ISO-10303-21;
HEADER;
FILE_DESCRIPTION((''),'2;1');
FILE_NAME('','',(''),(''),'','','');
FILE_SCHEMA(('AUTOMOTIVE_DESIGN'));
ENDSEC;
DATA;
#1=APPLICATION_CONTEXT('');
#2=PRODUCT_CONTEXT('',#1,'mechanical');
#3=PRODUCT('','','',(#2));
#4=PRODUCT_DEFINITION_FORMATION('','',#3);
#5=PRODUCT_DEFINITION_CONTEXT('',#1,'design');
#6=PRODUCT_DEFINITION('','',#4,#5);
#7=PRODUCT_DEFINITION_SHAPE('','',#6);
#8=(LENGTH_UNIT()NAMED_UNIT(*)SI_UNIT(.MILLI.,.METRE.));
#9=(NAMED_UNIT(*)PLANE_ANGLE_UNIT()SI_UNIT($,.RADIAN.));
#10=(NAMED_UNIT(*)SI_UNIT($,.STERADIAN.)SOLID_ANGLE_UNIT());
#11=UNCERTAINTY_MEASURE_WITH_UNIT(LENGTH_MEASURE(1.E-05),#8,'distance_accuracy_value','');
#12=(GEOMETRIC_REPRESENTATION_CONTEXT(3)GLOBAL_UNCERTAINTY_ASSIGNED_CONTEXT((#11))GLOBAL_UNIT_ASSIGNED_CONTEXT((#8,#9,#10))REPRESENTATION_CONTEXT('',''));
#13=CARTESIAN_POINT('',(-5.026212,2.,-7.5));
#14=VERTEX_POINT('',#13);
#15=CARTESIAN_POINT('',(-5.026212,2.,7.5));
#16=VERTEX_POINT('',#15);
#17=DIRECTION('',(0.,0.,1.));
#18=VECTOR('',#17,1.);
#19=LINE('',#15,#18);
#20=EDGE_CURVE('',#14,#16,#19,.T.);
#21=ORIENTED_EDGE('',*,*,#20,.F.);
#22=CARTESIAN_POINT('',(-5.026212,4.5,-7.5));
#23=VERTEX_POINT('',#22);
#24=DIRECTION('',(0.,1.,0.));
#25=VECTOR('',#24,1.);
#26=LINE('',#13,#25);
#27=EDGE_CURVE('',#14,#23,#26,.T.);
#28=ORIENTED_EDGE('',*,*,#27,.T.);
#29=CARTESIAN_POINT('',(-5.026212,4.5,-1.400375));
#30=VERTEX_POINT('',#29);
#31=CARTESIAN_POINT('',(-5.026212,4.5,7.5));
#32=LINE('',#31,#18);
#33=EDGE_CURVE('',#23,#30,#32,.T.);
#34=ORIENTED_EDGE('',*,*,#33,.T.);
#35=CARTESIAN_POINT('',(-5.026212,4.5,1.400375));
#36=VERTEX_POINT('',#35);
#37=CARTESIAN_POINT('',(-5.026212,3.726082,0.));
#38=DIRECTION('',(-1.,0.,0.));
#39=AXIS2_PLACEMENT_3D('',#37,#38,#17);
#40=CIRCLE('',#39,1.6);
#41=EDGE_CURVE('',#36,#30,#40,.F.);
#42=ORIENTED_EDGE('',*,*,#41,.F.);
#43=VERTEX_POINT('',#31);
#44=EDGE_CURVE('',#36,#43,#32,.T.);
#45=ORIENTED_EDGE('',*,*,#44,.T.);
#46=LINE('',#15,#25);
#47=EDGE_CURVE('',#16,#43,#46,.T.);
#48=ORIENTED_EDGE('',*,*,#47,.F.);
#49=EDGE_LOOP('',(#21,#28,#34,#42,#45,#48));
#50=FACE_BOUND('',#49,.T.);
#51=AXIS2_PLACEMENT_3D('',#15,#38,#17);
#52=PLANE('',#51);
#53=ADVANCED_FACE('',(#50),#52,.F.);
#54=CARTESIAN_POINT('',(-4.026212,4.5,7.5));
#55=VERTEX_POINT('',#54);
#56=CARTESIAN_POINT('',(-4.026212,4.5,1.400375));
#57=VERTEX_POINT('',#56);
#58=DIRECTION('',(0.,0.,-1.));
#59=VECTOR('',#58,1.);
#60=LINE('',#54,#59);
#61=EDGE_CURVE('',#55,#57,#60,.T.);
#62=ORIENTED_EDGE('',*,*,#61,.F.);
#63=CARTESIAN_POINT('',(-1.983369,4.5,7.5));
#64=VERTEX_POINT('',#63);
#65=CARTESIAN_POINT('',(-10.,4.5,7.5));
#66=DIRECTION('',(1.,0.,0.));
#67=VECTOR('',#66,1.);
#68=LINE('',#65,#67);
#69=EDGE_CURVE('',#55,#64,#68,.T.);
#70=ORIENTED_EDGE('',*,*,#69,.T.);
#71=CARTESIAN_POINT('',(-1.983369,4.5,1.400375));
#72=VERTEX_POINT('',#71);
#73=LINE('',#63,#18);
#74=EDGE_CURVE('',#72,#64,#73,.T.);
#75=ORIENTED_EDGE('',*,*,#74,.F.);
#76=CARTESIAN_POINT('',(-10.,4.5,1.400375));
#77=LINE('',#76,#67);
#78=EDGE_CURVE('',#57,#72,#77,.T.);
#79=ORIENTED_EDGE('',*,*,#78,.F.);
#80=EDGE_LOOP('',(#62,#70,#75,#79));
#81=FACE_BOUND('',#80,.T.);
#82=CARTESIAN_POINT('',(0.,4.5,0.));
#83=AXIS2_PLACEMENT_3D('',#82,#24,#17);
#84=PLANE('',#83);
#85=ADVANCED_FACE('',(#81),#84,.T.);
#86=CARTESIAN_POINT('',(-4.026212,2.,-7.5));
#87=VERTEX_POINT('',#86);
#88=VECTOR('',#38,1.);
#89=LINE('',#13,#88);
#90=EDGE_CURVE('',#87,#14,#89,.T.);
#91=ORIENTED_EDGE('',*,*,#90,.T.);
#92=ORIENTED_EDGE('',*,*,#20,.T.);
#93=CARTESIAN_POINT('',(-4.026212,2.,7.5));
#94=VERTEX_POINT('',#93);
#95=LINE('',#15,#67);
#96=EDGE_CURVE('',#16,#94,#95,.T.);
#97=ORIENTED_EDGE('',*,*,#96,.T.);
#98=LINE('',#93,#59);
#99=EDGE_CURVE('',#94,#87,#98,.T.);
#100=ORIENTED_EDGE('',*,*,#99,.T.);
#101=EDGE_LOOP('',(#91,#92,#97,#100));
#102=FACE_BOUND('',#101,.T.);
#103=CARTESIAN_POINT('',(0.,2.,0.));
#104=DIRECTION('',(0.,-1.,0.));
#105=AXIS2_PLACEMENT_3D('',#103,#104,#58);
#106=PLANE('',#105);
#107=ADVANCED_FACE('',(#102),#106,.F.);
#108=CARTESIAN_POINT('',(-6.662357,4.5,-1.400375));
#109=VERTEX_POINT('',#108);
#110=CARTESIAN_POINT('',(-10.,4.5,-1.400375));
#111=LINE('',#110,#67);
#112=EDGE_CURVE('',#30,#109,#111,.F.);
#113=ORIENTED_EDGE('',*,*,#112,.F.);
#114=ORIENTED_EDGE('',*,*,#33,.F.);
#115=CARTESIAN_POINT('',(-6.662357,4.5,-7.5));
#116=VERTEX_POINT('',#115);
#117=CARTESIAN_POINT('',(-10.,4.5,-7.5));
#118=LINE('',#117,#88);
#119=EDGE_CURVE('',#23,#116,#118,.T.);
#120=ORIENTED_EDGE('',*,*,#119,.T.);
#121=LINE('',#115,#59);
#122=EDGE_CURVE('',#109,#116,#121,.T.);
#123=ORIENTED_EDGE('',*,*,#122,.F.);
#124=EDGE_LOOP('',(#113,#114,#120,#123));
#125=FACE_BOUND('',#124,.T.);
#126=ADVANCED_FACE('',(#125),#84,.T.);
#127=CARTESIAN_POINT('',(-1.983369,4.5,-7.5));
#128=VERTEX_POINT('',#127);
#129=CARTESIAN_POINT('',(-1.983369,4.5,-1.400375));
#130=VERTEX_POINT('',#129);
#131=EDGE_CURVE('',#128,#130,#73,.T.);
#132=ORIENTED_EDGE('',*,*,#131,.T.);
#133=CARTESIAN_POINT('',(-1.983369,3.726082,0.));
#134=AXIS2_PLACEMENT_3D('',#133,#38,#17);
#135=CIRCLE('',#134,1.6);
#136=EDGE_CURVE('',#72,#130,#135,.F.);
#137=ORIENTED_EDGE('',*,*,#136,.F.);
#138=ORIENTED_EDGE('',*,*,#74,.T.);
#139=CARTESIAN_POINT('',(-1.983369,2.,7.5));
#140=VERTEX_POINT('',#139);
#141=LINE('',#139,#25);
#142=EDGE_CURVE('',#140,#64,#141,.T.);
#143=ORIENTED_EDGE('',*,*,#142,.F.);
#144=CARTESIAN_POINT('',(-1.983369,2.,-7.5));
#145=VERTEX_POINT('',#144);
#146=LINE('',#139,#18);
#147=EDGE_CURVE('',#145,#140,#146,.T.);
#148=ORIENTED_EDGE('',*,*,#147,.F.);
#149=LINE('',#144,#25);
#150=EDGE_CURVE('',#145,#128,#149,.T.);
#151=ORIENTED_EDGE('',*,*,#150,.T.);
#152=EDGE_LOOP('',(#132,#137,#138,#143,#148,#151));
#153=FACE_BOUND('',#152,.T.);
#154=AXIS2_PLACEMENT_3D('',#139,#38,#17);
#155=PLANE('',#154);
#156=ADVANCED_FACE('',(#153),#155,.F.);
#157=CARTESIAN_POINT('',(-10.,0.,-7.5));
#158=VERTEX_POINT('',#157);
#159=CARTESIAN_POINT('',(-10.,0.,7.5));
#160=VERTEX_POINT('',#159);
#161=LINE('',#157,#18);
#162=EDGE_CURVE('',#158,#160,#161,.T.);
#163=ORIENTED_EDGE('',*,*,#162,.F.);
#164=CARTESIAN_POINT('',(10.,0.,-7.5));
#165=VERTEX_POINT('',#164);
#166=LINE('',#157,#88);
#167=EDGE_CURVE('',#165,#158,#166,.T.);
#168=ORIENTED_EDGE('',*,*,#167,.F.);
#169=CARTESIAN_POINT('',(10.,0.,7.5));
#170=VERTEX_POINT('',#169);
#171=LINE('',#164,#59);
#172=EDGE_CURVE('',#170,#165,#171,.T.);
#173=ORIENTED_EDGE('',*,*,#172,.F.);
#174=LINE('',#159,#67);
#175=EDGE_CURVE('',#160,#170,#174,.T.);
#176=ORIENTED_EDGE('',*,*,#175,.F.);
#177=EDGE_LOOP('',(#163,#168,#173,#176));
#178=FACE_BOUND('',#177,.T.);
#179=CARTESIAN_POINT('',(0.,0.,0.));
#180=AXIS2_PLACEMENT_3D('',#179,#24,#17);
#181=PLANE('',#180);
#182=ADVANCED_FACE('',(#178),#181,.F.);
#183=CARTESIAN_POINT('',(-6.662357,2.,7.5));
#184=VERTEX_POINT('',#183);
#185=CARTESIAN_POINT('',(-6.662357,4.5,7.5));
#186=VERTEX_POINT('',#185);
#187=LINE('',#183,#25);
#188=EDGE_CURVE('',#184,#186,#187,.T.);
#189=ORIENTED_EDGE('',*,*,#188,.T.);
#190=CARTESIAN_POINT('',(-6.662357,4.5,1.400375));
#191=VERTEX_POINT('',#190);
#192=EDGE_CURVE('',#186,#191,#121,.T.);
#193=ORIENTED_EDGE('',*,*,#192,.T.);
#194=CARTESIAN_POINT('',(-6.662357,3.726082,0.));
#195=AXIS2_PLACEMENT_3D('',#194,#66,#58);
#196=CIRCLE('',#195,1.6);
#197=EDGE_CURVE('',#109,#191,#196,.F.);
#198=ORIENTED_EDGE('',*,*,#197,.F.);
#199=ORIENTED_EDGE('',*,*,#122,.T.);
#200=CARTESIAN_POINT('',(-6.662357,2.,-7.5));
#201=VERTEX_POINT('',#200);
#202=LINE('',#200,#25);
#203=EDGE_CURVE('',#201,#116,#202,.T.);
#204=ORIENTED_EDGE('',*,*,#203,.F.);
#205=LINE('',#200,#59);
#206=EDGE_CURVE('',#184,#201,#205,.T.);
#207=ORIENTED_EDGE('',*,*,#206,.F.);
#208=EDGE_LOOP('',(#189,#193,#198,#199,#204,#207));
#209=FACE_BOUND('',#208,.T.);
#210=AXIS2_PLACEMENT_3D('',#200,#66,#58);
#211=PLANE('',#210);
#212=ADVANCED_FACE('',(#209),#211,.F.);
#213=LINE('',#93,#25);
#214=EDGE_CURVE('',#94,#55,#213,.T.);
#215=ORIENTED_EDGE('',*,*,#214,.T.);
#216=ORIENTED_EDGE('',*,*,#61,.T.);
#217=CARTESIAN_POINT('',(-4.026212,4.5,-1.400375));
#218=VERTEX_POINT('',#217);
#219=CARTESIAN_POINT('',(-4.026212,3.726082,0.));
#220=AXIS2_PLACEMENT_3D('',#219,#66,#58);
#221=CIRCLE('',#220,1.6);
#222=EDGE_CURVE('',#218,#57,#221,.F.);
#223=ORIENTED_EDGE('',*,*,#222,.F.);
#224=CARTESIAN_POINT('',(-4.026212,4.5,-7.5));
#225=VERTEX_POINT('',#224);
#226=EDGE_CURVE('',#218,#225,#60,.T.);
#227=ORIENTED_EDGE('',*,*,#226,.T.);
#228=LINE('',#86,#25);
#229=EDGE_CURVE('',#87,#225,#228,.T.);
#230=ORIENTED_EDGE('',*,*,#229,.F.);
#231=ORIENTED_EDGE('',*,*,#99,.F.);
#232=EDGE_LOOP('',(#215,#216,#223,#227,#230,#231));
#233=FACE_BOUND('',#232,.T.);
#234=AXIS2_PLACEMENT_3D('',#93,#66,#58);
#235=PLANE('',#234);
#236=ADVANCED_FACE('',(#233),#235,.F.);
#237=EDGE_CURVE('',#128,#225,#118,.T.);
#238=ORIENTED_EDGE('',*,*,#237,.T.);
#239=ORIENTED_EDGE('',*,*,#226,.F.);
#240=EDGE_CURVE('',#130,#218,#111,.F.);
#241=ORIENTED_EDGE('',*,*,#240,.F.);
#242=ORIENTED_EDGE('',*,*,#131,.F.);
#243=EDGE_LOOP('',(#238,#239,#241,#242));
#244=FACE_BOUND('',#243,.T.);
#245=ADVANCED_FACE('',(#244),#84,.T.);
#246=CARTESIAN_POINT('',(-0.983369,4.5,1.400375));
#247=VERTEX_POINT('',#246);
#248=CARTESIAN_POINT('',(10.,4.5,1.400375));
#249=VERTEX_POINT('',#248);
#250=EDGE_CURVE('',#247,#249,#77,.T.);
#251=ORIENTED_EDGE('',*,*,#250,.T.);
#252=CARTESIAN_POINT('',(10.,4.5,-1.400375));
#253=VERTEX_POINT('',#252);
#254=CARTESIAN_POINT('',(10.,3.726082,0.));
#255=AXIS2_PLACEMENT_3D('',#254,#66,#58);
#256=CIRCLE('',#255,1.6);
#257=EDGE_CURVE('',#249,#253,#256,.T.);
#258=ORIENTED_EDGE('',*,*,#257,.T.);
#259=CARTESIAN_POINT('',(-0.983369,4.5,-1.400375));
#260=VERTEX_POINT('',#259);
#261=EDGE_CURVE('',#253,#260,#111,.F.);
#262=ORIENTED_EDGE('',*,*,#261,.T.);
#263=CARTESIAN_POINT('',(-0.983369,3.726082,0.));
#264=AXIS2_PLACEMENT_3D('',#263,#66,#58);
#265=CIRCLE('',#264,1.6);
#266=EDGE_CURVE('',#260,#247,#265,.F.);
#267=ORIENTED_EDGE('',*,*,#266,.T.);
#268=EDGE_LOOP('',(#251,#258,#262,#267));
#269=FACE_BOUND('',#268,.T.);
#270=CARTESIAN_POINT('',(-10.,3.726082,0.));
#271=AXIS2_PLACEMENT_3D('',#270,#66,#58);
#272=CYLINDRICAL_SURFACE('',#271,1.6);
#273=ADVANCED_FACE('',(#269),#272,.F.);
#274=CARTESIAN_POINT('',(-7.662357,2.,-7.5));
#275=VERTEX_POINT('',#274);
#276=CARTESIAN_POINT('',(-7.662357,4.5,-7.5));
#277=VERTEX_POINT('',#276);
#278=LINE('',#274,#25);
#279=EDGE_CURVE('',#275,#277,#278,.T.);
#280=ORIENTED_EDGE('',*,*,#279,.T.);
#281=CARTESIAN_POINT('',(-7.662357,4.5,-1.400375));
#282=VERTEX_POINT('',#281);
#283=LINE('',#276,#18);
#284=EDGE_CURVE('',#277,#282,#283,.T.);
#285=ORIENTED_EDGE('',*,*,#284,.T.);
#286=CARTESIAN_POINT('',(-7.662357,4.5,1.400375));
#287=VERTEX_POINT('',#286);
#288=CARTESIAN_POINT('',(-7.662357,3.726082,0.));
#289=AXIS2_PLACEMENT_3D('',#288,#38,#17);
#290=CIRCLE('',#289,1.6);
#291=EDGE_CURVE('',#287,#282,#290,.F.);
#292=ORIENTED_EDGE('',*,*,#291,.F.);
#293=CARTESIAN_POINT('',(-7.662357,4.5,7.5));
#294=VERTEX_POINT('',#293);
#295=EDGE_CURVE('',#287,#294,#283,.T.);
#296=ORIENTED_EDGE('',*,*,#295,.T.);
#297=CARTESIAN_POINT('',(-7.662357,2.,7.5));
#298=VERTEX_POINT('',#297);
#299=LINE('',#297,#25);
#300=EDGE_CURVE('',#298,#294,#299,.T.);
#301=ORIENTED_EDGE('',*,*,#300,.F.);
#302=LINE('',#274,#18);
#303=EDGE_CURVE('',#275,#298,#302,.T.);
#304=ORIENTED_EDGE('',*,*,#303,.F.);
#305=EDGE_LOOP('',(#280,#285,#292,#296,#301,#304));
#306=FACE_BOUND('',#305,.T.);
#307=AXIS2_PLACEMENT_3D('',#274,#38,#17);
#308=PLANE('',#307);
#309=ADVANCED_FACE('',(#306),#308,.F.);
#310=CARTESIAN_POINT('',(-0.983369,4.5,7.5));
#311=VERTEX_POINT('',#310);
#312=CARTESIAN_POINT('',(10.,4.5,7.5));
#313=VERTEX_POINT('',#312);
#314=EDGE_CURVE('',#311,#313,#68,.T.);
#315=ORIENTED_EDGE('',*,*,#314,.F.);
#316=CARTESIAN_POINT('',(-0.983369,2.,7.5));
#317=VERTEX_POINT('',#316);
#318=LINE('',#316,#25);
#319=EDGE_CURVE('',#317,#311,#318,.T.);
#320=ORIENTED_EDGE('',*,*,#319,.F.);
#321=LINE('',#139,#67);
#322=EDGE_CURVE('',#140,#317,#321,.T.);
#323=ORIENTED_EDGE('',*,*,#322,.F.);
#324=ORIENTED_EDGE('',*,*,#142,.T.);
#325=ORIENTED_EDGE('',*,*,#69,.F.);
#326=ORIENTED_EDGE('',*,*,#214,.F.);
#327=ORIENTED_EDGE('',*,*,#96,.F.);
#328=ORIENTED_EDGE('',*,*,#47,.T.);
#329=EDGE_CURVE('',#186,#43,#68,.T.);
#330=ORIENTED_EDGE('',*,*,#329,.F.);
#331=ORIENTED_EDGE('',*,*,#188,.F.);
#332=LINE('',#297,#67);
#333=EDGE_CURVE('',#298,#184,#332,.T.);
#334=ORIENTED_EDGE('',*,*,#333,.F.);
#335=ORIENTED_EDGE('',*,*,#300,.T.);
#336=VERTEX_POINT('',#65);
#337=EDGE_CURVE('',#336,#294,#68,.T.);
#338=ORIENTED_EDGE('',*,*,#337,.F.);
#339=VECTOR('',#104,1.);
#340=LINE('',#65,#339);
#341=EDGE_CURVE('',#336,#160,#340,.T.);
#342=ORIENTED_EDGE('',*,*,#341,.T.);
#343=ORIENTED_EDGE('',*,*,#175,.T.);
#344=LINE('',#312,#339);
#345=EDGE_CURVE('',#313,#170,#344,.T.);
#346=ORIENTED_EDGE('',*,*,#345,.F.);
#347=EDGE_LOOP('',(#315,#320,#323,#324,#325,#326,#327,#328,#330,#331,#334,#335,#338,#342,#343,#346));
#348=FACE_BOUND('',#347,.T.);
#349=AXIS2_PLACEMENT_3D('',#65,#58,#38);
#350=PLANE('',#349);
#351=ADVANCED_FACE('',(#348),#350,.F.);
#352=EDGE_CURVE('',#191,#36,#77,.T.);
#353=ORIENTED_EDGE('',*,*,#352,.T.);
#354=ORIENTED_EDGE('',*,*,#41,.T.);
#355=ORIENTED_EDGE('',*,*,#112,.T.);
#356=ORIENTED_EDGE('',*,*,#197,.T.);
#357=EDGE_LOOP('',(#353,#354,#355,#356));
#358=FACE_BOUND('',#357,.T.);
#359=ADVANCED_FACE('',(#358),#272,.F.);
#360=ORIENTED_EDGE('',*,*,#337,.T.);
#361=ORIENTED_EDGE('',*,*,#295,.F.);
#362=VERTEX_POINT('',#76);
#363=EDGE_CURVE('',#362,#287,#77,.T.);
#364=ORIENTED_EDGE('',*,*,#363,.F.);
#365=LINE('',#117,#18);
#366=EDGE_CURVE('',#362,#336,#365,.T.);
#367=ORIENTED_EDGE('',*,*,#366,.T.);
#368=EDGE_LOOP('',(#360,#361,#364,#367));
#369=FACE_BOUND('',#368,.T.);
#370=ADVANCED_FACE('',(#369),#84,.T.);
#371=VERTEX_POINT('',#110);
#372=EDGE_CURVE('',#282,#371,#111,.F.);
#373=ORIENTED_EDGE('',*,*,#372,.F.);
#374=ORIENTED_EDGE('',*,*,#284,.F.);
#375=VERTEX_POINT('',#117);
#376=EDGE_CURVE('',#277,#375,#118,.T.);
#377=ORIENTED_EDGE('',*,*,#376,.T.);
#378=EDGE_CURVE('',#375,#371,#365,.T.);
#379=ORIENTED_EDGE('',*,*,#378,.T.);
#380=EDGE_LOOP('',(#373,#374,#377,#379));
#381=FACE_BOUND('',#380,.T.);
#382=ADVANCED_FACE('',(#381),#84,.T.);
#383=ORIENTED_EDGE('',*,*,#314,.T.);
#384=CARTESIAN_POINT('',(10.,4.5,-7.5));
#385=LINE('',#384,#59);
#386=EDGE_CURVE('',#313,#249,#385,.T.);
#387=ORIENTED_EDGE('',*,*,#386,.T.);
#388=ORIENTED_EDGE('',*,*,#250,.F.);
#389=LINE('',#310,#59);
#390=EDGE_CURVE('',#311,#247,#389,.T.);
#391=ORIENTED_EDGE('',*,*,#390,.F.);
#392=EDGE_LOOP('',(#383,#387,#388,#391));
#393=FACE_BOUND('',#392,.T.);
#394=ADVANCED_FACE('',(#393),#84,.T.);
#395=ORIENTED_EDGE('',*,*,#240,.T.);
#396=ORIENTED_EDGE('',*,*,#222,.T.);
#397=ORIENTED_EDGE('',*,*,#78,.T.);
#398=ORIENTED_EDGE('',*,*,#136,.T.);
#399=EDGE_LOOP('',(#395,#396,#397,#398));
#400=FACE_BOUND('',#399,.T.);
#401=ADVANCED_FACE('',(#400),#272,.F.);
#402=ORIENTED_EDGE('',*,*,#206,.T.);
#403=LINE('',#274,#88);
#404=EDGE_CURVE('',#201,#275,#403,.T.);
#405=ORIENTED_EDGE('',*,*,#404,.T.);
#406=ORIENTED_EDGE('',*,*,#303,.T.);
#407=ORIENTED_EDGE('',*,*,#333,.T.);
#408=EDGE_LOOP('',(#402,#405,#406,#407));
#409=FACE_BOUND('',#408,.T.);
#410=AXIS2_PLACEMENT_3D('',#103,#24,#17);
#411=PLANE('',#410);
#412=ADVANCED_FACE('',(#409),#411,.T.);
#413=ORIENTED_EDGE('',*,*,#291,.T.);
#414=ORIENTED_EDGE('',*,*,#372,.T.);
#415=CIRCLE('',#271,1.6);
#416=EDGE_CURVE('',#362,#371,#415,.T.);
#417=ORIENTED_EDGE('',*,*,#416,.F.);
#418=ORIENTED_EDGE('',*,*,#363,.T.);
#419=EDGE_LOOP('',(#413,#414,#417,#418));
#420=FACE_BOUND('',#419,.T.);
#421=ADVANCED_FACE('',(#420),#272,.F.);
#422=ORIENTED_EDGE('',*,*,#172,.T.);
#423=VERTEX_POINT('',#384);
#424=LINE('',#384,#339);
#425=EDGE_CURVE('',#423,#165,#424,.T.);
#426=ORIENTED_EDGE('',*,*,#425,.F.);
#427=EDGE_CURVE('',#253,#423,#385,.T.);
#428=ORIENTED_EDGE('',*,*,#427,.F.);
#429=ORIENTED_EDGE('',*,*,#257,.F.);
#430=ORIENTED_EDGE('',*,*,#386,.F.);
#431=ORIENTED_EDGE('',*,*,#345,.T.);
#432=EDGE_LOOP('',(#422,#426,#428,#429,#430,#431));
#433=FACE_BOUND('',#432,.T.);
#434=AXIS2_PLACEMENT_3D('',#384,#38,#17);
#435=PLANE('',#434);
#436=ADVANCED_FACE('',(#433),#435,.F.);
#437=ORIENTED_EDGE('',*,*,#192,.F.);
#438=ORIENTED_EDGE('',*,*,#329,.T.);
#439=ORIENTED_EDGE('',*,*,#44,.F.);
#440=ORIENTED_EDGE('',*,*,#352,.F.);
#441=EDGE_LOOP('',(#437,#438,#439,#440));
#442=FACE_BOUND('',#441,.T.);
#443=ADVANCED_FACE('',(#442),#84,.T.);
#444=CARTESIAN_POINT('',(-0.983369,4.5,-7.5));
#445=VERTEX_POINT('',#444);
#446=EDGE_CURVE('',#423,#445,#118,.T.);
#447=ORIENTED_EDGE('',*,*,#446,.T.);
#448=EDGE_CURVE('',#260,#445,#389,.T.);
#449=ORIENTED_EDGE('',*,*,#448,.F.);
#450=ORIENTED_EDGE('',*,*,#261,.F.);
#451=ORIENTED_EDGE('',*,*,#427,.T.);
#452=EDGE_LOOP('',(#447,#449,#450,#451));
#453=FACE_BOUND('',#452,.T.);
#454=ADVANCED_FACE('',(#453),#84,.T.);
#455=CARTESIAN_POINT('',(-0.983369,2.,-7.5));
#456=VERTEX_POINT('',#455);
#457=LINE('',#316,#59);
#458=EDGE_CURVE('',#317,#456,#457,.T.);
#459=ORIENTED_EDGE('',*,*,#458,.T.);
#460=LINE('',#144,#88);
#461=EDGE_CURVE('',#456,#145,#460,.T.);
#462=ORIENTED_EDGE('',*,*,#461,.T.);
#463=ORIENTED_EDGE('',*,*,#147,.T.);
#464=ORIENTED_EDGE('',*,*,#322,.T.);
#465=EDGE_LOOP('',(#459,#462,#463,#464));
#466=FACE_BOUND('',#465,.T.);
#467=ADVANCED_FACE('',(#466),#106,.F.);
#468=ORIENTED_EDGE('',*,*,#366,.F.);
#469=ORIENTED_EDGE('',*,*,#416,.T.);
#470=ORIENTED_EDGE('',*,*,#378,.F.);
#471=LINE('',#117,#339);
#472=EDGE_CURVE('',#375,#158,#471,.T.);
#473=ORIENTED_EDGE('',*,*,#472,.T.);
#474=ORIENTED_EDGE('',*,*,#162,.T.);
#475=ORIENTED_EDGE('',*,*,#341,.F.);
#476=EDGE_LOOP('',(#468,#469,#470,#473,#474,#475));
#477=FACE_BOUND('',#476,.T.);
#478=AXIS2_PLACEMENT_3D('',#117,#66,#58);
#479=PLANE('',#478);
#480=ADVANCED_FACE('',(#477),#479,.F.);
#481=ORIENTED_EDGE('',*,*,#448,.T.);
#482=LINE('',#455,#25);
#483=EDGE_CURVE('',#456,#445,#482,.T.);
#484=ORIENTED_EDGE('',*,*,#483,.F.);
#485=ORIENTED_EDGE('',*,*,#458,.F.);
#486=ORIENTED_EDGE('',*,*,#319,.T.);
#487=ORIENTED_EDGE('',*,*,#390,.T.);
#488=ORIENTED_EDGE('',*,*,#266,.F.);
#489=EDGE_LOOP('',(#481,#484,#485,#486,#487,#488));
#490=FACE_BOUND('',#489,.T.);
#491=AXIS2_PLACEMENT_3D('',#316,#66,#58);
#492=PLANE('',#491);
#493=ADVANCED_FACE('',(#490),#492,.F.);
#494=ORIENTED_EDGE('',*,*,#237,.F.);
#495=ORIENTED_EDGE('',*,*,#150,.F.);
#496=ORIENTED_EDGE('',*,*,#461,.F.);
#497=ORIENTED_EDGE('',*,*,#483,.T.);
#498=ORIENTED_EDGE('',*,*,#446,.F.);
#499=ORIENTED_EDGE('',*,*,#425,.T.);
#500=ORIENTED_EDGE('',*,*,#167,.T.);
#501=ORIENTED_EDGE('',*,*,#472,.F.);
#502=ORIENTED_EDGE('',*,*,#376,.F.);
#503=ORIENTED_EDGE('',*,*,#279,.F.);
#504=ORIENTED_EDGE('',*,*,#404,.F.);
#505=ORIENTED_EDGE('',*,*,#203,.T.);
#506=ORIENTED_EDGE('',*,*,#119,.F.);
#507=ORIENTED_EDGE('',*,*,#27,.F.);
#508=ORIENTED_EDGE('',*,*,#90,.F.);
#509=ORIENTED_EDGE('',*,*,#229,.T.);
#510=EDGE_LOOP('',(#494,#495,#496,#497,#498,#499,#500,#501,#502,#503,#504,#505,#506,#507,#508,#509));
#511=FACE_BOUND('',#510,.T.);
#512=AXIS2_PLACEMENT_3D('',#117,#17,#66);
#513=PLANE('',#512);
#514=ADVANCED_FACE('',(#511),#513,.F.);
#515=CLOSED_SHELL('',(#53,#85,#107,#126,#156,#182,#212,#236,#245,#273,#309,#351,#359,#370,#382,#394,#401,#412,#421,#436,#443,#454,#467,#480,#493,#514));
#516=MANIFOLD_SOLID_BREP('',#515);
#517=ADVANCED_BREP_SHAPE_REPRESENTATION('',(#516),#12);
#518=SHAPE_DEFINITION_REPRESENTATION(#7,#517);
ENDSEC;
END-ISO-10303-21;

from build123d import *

# Parameters (mm, degrees)
SKETCH1_W           = 20
SKETCH1_H           = 15
BOSS_EXTRUDE1_DEPTH = 4.5
SKETCH3_R           = 1.6
CUT_EXTRUDE1_DEPTH  = 20
SKETCH4_W           = 1
SKETCH4_H           = 15
CUT_EXTRUDE2_DEPTH  = 2.5
SKETCH5_W           = 1
SKETCH5_H           = 15
CUT_EXTRUDE3_DEPTH  = 2.5
SKETCH6_W           = 1
SKETCH6_H           = 15
CUT_EXTRUDE5_DEPTH  = 2.5


with BuildPart() as part:
    # Sketch1 → Boss-Extrude1 (new body)
    with BuildSketch(Plane(origin=(0, 0, 0), x_dir=(1, 0, 0), z_dir=(0, 1, 0))):
        Rectangle(SKETCH1_W, SKETCH1_H)
    extrude(amount=BOSS_EXTRUDE1_DEPTH)

    # Sketch3 → Cut-Extrude1 (cut)
    with BuildSketch(Plane(origin=(10, 0, 0), x_dir=(0, 0, -1), z_dir=(1, 0, 0))):
        with Locations((0, 3.72608181)):
            Circle(SKETCH3_R)
    extrude(amount=-CUT_EXTRUDE1_DEPTH, mode=Mode.SUBTRACT)

    # Sketch4 → Cut-Extrude2 (cut)
    with BuildSketch(Plane(origin=(0, 4.5, 0), x_dir=(1, 0, 0), z_dir=(0, 1, 0))):
        with Locations((-7.162357261, 0)):
            Rectangle(SKETCH4_W, SKETCH4_H)
    extrude(amount=-CUT_EXTRUDE2_DEPTH, mode=Mode.SUBTRACT)

    # Sketch5 → Cut-Extrude3 (cut)
    with BuildSketch(Plane(origin=(0, 4.5, 0), x_dir=(1, 0, 0), z_dir=(0, 1, 0))):
        with Locations((-4.526212298, 0)):
            Rectangle(SKETCH5_W, SKETCH5_H)
    extrude(amount=-CUT_EXTRUDE3_DEPTH, mode=Mode.SUBTRACT)

    # Sketch6 → Cut-Extrude5 (cut)
    with BuildSketch(Plane(origin=(0, 4.5, 0), x_dir=(1, 0, 0), z_dir=(0, 1, 0))):
        with Locations((-1.483369352, 0)):
            Rectangle(SKETCH6_W, SKETCH6_H)
    extrude(amount=-CUT_EXTRUDE5_DEPTH, mode=Mode.SUBTRACT)


solid = part.part
